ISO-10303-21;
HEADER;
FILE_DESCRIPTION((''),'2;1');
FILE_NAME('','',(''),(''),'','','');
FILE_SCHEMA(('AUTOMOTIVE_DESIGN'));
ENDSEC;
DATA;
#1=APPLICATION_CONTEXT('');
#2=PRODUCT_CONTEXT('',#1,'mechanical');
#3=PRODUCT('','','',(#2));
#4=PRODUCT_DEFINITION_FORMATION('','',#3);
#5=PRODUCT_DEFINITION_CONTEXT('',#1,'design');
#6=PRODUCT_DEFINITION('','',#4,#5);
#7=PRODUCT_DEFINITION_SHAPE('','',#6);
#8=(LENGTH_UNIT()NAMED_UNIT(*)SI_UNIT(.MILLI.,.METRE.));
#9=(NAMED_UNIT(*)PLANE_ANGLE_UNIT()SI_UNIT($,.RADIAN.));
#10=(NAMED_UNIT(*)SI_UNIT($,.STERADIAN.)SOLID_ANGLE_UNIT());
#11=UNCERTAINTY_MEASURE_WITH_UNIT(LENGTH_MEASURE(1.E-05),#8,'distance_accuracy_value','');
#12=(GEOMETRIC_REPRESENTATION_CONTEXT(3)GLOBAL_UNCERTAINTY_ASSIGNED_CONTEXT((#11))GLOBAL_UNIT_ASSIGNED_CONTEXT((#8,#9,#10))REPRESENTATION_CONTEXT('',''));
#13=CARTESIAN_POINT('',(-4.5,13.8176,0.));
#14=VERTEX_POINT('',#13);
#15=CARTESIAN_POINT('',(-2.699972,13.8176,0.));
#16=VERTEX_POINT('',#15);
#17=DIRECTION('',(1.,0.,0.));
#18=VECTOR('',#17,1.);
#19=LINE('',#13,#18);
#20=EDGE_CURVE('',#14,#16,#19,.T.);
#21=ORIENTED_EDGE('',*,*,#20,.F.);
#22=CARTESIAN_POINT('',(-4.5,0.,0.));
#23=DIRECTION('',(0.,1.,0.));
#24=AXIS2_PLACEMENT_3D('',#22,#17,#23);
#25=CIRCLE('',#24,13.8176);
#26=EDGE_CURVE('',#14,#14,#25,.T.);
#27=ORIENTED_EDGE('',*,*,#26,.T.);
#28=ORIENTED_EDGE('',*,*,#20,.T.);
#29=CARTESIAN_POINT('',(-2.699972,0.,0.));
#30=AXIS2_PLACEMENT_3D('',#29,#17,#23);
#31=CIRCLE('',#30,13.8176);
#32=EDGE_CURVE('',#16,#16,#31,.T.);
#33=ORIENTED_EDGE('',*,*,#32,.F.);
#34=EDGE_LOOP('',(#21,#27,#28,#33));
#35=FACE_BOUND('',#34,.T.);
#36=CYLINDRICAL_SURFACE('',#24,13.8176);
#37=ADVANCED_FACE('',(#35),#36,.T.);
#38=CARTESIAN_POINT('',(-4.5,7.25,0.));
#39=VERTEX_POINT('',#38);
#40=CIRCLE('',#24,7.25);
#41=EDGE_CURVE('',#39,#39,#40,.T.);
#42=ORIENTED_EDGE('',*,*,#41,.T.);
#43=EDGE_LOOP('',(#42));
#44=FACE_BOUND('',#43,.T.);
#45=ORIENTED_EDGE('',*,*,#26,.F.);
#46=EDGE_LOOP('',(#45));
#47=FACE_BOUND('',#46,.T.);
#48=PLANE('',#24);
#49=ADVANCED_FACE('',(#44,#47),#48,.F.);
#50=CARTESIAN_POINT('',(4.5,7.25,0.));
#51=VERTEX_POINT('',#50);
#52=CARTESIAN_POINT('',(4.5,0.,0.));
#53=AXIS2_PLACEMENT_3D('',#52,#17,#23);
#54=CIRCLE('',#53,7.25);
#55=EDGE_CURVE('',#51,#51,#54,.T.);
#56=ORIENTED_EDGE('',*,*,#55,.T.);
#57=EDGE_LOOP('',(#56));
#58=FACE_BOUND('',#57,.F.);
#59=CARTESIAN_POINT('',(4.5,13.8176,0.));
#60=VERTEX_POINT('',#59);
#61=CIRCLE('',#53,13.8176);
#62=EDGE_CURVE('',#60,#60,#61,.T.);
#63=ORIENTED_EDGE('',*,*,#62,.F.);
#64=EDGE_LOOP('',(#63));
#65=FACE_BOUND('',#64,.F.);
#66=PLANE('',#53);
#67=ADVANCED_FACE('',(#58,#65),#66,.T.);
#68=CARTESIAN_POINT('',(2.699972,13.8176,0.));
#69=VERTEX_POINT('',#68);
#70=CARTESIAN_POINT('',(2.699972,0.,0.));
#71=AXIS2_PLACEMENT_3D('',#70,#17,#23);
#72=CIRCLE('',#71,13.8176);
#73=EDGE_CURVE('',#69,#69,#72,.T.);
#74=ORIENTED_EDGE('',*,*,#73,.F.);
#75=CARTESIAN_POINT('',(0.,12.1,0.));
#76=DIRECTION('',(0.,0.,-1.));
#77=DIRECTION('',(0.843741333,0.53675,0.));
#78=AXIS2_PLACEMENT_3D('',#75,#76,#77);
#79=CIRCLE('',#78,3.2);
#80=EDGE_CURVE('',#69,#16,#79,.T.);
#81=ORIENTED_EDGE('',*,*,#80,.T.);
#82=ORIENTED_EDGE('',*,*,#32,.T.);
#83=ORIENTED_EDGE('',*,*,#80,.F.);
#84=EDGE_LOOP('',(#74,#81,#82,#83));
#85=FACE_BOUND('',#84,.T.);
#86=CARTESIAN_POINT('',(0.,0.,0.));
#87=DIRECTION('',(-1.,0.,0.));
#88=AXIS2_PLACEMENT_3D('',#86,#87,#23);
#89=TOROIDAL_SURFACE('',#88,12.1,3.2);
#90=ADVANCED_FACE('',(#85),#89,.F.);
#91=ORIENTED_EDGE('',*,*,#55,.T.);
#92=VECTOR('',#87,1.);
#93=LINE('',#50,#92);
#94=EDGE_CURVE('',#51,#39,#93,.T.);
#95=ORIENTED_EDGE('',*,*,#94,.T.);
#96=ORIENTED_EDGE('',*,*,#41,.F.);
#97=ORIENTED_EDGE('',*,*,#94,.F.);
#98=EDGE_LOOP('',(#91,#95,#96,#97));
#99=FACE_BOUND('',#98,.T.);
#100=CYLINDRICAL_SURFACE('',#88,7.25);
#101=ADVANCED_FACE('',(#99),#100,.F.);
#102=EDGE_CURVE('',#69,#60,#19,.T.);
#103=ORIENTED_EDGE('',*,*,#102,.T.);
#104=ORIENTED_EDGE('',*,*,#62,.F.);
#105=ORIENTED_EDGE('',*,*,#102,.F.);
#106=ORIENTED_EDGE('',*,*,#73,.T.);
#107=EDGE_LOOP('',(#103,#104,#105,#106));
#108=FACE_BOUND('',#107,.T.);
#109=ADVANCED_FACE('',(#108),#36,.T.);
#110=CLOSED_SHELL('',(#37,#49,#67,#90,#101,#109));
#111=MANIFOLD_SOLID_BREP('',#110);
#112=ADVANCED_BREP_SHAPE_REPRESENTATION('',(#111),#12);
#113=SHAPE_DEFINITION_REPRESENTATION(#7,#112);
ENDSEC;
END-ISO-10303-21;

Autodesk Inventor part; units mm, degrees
ref_plane "YZ Plane" through (0, 0, 0) normal (1, 0, 0) x (0, 1, 0)
ref_plane "XZ Plane" through (0, 0, 0) normal (0, 1, 0) x (-1, 0, 0)
ref_plane "XY Plane" through (0, 0, 0) normal (0, 0, 1) x (1, 0, 0)
sketch "스케치1" plane through (0, 0, 0) normal (1, 0, 0) x (0, 1, 0)
  circle A0 centre (0, 0) radius 7.25
  circle A1 centre (0, 0) radius 8.3558
  dimension "d0" = 14.5
extrude "돌출1" add sketch "스케치1" along normal mid plane 9
sketch "스케치2" plane through (0, 0, 0) normal (0, 0, 1) x (1, 0, 0)
  circle A0 centre (0, 12.1) radius 3.2
  circle A1 centre (0, 11.7) radius 2.8 construction
  line L0 (-4.5, 8.3558) -> (-4.5, -8.3558) projected
  line L1 (4.5, -8.3558) -> (4.5, 8.3558) projected
  line L2 (4.5, -8.3558) -> (4.5, 8.3558) projected
  line L3 (0, 0) -> (4.5, 0)
  line L4 (-4.5, 14.5) -> (4.5, 14.5)
  line L5 (-4.5, 8.3558) -> (-4.5, 14.5)
  line L6 (4.5, 8.3558) -> (4.5, 14.5)
  line L7 (-4.5, 13.8176) -> (4.5, 13.8176)
  line L8 (-4.5, 8.3558) -> (4.5, 8.3558)
  point P0 (2.6939, 14.1272)
  point P1 (-2.6939, 14.1272)
  point P2 (-2.7, 13.8176)
  point P3 (2.7, 13.8176)
  point P4 (-2.1166, 14.5)
  point P5 (2.1166, 14.5)
  point P6 (0.7101, 8.9798)
  point P7 (-0.7101, 8.9798)
  dimension "d3" = 6.4
  dimension "d4" = 5.6
  dimension "d6" = 29
  dimension "d8" = 5.4
revolve "회전1" add sketch "스케치2" angle 360 about axis through (0, 0, 0) along (1, 0, 0) contours A0 L7 L6 L8 L5
properties part number "custombearing2" material "고무, 검은색"
